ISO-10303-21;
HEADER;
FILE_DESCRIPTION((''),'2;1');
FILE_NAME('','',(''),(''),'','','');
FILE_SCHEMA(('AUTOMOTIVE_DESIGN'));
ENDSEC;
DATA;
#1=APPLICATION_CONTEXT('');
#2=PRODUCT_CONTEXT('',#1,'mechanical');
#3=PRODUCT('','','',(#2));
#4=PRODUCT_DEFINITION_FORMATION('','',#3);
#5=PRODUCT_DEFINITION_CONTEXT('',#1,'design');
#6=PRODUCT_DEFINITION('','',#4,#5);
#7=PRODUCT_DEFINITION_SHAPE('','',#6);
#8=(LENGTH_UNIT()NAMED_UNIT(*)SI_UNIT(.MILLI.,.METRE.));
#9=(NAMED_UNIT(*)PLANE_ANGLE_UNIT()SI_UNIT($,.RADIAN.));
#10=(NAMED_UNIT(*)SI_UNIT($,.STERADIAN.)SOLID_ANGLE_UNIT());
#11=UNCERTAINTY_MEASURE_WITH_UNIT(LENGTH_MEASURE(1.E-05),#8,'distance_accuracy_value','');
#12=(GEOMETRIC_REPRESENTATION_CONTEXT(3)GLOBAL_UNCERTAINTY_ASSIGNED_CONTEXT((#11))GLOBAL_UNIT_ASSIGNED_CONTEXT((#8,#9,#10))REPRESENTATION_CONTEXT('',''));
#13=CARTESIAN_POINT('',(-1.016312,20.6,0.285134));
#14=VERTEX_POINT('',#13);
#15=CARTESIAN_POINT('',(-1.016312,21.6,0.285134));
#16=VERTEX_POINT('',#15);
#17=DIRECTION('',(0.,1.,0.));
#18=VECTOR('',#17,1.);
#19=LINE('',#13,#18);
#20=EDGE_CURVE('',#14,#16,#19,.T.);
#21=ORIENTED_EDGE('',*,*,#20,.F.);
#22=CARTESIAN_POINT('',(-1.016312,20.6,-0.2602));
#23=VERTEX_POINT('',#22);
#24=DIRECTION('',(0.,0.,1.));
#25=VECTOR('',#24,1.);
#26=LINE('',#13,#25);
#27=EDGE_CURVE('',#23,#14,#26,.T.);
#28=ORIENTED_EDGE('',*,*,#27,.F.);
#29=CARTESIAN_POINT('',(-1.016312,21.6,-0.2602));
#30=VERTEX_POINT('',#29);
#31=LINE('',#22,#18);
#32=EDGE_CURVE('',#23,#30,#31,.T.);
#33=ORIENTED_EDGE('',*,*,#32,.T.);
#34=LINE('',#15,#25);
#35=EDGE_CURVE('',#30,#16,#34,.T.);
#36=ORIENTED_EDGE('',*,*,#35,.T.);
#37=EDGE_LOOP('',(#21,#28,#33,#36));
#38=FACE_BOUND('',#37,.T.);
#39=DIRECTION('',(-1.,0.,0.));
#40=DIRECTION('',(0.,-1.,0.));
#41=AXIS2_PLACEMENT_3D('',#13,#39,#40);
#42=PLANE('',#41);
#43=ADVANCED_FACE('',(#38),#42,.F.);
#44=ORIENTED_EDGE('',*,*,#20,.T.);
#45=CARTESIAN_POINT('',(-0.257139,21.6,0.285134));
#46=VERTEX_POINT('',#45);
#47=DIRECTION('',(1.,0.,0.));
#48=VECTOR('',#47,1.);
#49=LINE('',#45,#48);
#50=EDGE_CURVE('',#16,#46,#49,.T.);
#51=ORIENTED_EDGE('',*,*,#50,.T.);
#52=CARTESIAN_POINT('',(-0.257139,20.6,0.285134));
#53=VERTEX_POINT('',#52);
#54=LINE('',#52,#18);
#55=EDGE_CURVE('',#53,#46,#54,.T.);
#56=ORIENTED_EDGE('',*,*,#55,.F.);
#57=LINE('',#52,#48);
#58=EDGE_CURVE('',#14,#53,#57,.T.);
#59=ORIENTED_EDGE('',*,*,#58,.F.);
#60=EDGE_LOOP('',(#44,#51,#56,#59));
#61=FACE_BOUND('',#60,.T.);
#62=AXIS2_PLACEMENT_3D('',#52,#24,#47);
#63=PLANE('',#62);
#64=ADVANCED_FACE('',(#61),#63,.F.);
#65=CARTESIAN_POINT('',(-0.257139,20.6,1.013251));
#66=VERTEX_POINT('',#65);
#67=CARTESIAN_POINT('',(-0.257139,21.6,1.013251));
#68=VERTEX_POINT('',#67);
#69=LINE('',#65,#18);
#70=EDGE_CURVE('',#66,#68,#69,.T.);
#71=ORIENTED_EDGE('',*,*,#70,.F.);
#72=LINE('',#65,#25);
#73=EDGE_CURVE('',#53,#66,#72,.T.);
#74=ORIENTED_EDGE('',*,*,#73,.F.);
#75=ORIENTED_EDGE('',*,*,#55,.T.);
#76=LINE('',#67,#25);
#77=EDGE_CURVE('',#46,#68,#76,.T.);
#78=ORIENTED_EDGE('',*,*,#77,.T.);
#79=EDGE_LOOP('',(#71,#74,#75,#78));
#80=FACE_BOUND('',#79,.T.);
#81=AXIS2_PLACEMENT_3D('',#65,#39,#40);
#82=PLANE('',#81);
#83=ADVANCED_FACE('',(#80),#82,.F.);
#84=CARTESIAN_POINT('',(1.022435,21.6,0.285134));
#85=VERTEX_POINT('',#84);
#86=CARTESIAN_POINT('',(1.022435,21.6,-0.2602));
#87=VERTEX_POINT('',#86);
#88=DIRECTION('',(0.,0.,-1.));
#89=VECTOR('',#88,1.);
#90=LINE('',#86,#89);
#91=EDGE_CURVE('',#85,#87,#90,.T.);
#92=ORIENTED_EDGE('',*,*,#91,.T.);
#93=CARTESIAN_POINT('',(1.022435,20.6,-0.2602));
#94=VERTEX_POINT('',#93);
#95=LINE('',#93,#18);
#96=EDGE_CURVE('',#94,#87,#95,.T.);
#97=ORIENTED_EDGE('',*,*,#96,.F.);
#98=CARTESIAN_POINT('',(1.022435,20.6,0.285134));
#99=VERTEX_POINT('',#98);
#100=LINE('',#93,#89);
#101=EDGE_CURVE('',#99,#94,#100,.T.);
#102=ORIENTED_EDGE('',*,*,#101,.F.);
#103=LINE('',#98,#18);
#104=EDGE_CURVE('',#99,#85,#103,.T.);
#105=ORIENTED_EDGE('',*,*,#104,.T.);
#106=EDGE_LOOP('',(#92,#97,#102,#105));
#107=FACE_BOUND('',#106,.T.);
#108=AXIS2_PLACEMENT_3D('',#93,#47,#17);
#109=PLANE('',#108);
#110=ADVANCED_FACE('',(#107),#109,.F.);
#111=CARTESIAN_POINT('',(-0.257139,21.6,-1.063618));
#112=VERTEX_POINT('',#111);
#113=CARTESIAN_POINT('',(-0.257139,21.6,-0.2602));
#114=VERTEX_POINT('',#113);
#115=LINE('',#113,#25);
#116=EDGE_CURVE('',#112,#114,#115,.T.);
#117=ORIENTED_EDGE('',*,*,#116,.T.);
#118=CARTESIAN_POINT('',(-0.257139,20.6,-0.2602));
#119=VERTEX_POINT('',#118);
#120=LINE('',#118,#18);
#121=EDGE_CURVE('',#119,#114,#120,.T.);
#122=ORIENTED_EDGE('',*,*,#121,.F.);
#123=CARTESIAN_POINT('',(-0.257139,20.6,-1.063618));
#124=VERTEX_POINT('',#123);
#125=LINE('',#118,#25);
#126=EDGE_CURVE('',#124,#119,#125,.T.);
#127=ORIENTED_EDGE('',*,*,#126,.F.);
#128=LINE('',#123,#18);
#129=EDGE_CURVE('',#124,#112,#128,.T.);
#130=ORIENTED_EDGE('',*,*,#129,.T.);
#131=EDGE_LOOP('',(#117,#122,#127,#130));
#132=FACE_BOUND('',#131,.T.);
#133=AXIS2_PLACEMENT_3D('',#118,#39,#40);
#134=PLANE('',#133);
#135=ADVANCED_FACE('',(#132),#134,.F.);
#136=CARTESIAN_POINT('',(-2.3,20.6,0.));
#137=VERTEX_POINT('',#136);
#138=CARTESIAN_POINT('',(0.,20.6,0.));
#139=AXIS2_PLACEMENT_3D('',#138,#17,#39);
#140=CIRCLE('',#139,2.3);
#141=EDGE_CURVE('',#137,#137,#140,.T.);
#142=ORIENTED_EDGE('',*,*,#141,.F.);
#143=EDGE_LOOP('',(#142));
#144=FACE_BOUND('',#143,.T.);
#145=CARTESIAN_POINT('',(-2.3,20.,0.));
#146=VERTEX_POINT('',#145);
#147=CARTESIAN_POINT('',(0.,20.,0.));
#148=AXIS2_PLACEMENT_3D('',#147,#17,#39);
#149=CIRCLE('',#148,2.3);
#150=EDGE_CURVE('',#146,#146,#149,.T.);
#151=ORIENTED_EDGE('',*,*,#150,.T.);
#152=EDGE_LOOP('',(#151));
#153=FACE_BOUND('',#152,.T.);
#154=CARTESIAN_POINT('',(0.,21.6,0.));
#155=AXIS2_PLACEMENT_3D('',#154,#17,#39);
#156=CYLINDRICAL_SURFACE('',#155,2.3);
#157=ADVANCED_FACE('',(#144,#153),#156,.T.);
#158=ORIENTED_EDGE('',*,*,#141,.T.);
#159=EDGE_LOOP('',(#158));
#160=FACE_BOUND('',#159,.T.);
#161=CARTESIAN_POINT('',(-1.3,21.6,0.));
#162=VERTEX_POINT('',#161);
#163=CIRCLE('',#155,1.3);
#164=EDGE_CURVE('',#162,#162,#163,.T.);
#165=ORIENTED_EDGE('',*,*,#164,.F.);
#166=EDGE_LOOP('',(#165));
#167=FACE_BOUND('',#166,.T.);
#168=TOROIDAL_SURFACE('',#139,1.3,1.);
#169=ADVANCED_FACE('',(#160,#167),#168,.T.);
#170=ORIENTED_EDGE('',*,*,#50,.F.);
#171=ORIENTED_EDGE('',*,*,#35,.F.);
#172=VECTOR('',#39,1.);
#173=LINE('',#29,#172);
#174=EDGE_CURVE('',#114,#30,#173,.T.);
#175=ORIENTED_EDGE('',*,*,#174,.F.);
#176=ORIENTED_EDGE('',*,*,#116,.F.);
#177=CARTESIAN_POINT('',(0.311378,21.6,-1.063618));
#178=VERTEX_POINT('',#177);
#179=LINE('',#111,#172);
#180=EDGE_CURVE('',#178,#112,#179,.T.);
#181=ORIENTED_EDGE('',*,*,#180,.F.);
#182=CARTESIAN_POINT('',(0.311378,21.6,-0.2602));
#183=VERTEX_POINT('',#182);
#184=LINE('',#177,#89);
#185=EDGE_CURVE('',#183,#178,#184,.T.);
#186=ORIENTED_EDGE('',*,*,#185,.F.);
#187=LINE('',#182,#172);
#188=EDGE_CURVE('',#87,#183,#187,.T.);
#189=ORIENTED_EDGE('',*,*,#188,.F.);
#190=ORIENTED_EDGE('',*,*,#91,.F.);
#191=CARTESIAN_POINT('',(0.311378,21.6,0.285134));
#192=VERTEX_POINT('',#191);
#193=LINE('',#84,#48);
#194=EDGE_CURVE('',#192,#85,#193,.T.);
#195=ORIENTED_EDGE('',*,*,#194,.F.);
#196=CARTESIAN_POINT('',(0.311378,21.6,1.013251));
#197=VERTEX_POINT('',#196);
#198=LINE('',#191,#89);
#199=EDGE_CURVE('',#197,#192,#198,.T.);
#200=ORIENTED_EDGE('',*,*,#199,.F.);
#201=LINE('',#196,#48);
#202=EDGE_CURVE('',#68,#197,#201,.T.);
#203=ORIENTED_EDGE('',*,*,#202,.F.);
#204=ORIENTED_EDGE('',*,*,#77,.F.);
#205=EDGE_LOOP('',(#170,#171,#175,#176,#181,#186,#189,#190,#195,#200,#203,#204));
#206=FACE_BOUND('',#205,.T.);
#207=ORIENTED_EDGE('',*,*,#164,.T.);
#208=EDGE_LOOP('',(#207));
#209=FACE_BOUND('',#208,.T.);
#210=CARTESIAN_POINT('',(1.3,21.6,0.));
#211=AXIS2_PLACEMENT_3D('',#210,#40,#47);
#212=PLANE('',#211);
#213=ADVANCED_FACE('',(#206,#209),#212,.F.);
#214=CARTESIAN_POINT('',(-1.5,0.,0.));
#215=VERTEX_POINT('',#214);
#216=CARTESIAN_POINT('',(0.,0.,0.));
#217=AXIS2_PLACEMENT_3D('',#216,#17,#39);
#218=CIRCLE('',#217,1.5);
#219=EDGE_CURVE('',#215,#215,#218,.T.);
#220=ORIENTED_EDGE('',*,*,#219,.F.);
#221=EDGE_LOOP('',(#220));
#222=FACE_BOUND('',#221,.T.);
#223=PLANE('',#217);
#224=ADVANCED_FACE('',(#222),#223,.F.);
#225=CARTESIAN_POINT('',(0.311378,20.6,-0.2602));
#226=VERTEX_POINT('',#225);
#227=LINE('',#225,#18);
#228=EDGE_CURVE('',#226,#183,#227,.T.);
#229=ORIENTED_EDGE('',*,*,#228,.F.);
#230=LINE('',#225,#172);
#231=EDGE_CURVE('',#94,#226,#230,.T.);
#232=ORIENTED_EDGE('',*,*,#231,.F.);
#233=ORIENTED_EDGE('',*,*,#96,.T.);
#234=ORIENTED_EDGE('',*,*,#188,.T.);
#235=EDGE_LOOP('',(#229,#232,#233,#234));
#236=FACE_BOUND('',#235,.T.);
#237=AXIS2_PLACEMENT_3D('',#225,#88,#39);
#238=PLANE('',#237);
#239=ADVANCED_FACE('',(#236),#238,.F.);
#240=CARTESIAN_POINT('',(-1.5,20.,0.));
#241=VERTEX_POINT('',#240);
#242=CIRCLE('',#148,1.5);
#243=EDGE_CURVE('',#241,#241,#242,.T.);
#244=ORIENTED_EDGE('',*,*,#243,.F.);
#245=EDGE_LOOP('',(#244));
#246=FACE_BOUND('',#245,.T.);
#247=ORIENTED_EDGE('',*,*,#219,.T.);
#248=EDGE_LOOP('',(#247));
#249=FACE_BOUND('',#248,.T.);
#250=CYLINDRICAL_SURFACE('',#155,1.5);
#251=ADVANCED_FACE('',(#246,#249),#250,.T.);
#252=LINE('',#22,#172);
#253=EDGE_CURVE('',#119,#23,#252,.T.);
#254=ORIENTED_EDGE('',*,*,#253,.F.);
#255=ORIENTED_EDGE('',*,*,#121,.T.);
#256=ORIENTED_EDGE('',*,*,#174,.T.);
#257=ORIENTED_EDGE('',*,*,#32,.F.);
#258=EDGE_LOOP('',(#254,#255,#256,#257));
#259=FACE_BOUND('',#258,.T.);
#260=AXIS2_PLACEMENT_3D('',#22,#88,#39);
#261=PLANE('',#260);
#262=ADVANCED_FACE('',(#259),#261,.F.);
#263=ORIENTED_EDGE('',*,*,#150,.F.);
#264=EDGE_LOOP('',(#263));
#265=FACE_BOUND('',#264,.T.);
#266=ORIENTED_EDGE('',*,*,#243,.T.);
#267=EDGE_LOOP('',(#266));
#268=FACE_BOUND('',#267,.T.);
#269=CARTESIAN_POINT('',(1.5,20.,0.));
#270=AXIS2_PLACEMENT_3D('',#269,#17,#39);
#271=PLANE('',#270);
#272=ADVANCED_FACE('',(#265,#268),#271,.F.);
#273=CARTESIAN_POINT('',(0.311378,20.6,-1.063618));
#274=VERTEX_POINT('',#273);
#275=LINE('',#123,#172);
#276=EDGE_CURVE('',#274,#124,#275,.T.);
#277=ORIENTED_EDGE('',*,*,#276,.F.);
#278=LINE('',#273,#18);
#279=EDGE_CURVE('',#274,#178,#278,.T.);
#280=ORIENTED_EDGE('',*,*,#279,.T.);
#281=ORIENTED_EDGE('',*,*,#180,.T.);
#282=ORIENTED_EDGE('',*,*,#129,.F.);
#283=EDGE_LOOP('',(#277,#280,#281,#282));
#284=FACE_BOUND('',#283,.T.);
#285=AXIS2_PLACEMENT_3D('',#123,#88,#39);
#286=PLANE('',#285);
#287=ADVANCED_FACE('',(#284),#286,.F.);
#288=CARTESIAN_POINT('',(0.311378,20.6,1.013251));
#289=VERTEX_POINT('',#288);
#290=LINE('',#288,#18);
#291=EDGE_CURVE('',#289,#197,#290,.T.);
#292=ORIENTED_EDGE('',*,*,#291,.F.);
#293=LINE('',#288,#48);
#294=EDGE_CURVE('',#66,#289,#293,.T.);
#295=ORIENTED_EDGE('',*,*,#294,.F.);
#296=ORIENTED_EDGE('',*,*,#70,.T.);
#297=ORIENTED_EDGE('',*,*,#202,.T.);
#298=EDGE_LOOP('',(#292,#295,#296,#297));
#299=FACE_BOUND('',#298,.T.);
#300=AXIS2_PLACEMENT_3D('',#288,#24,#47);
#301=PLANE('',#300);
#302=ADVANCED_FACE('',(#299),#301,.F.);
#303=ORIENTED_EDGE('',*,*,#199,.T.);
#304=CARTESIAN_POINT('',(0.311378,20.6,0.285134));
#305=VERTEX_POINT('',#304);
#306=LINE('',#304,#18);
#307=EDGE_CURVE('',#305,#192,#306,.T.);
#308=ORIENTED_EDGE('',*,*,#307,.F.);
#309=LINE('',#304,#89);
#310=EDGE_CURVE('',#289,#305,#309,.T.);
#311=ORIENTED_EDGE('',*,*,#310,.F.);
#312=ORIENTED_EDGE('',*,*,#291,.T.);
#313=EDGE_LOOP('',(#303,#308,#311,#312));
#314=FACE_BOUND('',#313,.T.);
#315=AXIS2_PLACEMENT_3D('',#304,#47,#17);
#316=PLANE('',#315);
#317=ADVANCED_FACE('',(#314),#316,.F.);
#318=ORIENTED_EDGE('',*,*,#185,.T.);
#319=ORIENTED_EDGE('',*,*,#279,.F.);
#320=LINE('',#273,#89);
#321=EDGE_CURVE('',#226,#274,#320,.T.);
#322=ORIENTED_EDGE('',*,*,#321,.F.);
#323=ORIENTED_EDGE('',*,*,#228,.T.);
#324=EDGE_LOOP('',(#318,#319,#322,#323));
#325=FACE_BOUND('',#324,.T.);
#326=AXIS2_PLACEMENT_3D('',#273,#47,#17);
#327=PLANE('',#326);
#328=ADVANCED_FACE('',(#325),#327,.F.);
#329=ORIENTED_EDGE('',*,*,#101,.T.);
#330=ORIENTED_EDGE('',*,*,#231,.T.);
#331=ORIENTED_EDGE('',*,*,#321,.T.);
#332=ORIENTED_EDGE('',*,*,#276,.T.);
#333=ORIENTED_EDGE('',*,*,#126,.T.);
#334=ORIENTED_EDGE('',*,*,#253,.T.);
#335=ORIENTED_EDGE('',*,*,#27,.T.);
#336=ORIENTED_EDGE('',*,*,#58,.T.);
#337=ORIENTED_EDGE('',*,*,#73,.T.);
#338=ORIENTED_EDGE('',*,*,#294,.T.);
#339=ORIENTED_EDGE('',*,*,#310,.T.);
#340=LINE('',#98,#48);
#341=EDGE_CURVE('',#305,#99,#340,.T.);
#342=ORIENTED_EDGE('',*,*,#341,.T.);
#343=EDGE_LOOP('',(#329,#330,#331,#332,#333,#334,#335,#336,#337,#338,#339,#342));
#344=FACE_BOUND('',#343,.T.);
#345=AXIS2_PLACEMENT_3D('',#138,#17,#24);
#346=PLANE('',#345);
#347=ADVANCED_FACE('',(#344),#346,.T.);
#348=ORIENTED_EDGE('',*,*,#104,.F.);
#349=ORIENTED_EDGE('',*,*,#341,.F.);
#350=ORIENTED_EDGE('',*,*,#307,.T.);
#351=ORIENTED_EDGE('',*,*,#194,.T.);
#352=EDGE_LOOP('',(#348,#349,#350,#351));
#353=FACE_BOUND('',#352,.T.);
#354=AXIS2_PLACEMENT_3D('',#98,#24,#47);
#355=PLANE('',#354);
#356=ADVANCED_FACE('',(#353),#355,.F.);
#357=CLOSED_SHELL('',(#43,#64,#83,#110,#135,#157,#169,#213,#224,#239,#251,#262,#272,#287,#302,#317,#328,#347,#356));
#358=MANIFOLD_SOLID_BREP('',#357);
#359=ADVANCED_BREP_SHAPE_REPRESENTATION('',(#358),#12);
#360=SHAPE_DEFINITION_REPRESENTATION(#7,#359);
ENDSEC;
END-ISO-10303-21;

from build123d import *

# Parameters (mm, degrees)
CUT_EXTRUDE_1_DEPTH = 1


with BuildPart() as part:
    # 草圖2 → 旋轉1 (revolve)
    with BuildSketch(Plane.XY):
        with BuildLine():
            Line((0, 0), (1.5, 0))
            Line((1.5, 0), (1.5, 20))
            Line((1.5, 20), (2.3, 20))
            Line((2.3, 20), (2.3, 20.6))
            ThreePointArc((2.3, 20.6), (2.007106781, 21.307106781), (1.3, 21.6))
            Line((1.3, 21.6), (0, 21.6))
            Line((0, 21.6), (0, 0))
        make_face()
    revolve(axis=Axis((0, 21.6, 0), (0, -1, 0)))

    # 草圖3 → 除料-伸長1 (cut)
    with BuildSketch(Plane(origin=(0, 21.6, 0), x_dir=(1, 0, 0), z_dir=(0, 1, 0))):
        Polygon((-0.257139239, 0.26020042), (-0.257139239, 1.063618051), (0.311378397, 1.063618051), (0.311378397, 0.26020042), (1.022434592, 0.26020042), (1.022434592, -0.285133973), (0.311378397, -0.285133973), (0.311378397, -1.013251047), (-0.257139239, -1.013251047), (-0.257139239, -0.285133973), (-1.016312229, -0.285133973), (-1.016312229, 0.26020042), align=None)
    extrude(amount=-CUT_EXTRUDE_1_DEPTH, mode=Mode.SUBTRACT)


solid = part.part
